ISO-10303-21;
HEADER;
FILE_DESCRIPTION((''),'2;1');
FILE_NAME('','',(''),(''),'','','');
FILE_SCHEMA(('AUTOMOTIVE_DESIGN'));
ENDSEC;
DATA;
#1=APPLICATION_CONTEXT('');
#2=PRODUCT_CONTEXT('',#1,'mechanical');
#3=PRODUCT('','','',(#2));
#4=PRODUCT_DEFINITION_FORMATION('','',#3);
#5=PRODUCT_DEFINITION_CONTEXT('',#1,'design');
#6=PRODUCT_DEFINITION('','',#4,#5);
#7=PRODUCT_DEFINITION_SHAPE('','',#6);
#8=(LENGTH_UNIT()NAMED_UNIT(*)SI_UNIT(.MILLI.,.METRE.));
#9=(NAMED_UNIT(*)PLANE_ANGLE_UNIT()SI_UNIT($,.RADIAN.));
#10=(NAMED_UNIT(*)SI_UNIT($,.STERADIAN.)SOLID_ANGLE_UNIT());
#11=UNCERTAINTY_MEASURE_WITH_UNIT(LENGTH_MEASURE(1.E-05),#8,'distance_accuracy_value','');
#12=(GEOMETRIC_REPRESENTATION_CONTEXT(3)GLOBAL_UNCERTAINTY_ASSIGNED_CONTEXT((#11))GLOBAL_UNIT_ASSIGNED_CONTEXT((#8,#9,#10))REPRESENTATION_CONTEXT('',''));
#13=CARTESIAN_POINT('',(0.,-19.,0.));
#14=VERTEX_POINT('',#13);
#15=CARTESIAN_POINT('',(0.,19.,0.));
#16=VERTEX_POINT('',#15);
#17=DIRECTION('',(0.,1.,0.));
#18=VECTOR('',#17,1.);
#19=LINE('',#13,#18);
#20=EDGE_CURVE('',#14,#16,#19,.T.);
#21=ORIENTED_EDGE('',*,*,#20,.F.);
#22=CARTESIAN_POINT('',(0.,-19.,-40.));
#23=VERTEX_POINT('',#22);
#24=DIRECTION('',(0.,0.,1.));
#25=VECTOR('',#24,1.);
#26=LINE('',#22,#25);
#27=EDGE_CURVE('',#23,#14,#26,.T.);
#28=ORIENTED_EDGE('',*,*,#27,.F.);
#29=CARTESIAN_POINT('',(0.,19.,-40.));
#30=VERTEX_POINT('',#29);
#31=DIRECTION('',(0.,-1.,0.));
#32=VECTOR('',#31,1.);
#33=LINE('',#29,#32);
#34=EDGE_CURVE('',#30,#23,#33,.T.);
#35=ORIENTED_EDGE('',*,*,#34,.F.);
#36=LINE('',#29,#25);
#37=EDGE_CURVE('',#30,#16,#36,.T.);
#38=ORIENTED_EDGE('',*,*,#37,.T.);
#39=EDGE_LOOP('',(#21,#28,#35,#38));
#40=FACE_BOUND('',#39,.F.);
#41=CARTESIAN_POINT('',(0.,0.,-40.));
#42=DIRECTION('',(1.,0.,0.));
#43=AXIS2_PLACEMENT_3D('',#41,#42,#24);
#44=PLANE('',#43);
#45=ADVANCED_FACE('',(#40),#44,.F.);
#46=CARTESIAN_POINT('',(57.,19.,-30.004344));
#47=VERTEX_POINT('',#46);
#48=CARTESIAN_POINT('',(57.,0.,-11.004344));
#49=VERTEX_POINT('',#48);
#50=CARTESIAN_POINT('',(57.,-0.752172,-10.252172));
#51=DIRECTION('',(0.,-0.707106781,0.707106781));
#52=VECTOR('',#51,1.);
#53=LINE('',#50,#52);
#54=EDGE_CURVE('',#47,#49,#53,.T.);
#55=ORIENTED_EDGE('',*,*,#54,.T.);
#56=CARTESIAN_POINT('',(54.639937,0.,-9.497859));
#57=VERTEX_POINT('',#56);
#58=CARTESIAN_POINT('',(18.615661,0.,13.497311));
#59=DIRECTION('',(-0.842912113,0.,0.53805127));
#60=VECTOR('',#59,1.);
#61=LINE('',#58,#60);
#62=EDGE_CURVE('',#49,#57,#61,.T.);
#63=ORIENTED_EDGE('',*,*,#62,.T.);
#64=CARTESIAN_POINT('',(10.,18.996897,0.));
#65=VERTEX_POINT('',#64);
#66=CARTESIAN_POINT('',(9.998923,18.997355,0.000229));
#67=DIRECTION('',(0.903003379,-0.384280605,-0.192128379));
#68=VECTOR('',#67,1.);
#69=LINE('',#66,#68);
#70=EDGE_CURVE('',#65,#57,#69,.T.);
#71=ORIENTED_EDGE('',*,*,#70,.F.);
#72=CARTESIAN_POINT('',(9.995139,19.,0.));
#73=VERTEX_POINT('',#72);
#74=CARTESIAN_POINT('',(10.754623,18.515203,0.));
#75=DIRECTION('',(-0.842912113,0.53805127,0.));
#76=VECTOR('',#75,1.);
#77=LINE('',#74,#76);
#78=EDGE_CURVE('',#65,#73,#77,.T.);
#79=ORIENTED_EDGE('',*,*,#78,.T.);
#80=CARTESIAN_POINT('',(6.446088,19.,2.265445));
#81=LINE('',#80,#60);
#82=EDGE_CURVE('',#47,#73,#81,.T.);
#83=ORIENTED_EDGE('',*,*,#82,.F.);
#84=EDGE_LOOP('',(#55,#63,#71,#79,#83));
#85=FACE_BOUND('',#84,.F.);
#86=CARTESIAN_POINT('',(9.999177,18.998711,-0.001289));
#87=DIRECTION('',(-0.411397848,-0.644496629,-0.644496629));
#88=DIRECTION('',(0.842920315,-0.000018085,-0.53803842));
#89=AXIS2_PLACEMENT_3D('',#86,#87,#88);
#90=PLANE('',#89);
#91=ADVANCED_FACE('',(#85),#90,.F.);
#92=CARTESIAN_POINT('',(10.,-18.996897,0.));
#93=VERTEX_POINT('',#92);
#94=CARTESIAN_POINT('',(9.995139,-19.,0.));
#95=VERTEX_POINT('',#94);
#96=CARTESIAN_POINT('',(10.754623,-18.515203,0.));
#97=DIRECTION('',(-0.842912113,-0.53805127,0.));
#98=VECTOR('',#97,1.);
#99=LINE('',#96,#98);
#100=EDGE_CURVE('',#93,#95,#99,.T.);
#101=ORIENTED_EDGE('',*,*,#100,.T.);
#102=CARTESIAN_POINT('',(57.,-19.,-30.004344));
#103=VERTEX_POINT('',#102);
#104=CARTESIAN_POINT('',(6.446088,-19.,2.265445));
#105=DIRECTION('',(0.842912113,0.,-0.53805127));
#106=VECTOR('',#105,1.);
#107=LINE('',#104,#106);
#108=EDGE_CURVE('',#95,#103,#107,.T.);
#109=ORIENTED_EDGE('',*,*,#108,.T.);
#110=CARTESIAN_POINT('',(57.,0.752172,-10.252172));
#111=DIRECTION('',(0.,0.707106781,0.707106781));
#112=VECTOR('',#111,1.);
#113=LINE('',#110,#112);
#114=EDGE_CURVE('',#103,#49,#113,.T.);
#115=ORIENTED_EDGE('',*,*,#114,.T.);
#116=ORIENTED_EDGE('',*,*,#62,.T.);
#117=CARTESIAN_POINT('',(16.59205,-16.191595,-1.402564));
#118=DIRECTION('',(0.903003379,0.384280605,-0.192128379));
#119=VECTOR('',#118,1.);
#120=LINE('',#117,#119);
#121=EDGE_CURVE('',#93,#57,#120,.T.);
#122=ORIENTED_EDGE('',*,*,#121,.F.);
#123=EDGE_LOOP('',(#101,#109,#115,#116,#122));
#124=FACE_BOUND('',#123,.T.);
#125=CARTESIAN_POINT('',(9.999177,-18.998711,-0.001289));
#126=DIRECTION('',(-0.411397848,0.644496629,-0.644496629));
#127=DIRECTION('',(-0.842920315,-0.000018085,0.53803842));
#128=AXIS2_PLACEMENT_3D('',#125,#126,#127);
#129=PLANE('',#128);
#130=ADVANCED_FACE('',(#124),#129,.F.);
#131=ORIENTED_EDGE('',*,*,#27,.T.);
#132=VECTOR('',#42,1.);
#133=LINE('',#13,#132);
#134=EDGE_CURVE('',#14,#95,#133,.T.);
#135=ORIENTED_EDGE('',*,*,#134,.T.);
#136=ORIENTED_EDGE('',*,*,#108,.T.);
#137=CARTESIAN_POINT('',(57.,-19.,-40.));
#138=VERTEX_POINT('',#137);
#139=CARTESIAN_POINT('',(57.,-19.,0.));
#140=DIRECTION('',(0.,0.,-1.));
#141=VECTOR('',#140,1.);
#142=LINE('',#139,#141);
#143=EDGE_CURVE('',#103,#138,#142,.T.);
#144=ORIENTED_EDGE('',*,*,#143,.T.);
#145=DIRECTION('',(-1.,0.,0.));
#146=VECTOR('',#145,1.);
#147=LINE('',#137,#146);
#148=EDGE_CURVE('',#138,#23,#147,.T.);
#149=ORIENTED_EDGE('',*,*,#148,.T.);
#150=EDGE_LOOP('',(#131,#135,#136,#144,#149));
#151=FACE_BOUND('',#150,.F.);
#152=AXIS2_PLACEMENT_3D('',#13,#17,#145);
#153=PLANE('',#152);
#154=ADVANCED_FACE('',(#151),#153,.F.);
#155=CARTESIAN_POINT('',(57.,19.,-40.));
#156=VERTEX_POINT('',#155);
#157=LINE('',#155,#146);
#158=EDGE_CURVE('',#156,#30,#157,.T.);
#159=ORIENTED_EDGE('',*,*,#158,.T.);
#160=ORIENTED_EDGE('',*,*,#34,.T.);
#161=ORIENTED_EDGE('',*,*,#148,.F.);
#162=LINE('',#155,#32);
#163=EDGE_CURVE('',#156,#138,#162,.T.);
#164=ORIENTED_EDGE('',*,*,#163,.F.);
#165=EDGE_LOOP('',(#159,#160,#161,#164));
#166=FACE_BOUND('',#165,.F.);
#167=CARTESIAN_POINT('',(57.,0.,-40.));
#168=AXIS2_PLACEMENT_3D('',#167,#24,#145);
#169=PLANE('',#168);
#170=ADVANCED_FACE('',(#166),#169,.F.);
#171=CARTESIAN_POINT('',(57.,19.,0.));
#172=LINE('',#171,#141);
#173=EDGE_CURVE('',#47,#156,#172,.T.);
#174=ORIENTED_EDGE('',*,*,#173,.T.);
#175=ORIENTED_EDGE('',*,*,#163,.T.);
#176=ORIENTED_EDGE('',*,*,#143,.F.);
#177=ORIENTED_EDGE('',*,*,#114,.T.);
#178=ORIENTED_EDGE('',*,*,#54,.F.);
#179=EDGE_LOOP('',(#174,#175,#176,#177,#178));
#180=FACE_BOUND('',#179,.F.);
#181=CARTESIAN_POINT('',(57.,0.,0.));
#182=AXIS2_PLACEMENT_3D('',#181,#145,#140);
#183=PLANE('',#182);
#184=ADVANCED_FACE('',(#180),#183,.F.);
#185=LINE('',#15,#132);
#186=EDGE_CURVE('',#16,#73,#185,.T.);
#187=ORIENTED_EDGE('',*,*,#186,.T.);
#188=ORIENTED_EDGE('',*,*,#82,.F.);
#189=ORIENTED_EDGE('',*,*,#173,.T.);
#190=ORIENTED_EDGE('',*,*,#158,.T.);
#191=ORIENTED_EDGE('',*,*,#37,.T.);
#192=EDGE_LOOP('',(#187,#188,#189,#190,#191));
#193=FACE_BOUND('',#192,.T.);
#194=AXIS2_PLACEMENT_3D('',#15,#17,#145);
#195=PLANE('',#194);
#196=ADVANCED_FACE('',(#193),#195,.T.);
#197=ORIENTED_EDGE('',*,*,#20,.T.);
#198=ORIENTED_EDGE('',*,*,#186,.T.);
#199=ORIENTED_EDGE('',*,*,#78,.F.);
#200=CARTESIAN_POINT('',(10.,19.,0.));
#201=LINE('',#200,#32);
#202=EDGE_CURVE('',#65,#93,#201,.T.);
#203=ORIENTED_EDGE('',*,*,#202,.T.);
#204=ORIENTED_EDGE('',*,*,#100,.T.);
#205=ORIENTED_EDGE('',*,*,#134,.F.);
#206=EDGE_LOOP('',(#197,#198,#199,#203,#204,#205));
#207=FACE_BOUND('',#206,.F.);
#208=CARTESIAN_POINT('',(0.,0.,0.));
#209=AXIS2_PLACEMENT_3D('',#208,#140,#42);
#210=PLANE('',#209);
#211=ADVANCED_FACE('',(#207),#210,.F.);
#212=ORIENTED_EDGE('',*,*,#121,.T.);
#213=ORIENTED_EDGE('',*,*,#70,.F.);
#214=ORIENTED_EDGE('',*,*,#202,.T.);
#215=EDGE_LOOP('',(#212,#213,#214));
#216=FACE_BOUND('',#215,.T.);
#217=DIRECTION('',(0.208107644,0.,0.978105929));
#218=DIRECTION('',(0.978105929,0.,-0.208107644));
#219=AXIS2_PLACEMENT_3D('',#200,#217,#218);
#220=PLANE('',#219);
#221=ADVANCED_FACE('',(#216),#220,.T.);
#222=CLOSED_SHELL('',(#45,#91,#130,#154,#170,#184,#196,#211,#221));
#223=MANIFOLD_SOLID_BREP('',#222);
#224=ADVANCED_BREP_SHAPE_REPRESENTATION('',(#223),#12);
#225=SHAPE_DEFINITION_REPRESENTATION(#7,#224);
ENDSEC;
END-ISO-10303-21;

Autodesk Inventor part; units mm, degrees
ref_plane "YZ Plane" through (0, 0, 0) normal (1, 0, 0) x (0, 1, 0)
ref_plane "XZ Plane" through (0, 0, 0) normal (0, 1, 0) x (-1, 0, 0)
sketch "草圖1" plane through (0, 0, 0) normal (0, 1, 0) x (-1, 0, 0)
  line L0 (0, 0) -> (-57, 0)
  line L1 (-57, 0) -> (-57, -40)
  line L2 (-57, -40) -> (0, -40)
  line L3 (0, -40) -> (0, 0)
  dimension "d0" = 57
  dimension "d1" = 40
extrude "擠出1" add sketch "草圖1" along normal mid plane 38
sketch "草圖2" plane through (0, 19, 0) normal (0, 1, 0) x (1, 0, 0)
  line L0 (0, 0) -> (57, 0) projected
  line L1 (10, 0) -> (57, 10)
  line L2 (57, 0) -> (57, 40) projected
  dimension "d4" = 10
  dimension "d5" = 30
extrude "擠出2" cut sketch "草圖2" against normal blind 40
sketch "草圖3" plane through (57, -19, -40) normal (1, 0, 0) x (0, 0, -1)
  line L0 (-30, 18) -> (-10, 38)
  line L1 (0, 38) -> (-40, 38) projected
  line L2 (-30, 38) -> (-30, 0) projected
  point P0 (-40, 19)
  dimension "d8" = 20
  dimension "d9" = 20
ref_plane "工作平面1" through (10, 19, 0) normal (-0.4114, -0.6445, -0.6445) x (0.8429, 0, -0.538)
sketch "草圖4" plane through (10, 19, 0) normal (-0.4114, -0.6445, -0.6445) x (0.8429, 0, -0.538)
  line L0 (-15.1543, -12.3218) -> (93.717, -12.3218)
  line L1 (93.717, -12.3218) -> (93.717, 28.8166)
  line L2 (93.717, 28.8166) -> (-15.1543, 28.8166)
  line L3 (-15.1543, 28.8166) -> (-15.1543, -12.3218)
  point P0 (-8.4292, 11.0598)
extrude "擠出3" cut sketch "草圖4" against normal blind 40
mirror "鏡射1" about plane through (0, 0, 0) normal (0, 1, 0) of "擠出3"
properties part number "32"
